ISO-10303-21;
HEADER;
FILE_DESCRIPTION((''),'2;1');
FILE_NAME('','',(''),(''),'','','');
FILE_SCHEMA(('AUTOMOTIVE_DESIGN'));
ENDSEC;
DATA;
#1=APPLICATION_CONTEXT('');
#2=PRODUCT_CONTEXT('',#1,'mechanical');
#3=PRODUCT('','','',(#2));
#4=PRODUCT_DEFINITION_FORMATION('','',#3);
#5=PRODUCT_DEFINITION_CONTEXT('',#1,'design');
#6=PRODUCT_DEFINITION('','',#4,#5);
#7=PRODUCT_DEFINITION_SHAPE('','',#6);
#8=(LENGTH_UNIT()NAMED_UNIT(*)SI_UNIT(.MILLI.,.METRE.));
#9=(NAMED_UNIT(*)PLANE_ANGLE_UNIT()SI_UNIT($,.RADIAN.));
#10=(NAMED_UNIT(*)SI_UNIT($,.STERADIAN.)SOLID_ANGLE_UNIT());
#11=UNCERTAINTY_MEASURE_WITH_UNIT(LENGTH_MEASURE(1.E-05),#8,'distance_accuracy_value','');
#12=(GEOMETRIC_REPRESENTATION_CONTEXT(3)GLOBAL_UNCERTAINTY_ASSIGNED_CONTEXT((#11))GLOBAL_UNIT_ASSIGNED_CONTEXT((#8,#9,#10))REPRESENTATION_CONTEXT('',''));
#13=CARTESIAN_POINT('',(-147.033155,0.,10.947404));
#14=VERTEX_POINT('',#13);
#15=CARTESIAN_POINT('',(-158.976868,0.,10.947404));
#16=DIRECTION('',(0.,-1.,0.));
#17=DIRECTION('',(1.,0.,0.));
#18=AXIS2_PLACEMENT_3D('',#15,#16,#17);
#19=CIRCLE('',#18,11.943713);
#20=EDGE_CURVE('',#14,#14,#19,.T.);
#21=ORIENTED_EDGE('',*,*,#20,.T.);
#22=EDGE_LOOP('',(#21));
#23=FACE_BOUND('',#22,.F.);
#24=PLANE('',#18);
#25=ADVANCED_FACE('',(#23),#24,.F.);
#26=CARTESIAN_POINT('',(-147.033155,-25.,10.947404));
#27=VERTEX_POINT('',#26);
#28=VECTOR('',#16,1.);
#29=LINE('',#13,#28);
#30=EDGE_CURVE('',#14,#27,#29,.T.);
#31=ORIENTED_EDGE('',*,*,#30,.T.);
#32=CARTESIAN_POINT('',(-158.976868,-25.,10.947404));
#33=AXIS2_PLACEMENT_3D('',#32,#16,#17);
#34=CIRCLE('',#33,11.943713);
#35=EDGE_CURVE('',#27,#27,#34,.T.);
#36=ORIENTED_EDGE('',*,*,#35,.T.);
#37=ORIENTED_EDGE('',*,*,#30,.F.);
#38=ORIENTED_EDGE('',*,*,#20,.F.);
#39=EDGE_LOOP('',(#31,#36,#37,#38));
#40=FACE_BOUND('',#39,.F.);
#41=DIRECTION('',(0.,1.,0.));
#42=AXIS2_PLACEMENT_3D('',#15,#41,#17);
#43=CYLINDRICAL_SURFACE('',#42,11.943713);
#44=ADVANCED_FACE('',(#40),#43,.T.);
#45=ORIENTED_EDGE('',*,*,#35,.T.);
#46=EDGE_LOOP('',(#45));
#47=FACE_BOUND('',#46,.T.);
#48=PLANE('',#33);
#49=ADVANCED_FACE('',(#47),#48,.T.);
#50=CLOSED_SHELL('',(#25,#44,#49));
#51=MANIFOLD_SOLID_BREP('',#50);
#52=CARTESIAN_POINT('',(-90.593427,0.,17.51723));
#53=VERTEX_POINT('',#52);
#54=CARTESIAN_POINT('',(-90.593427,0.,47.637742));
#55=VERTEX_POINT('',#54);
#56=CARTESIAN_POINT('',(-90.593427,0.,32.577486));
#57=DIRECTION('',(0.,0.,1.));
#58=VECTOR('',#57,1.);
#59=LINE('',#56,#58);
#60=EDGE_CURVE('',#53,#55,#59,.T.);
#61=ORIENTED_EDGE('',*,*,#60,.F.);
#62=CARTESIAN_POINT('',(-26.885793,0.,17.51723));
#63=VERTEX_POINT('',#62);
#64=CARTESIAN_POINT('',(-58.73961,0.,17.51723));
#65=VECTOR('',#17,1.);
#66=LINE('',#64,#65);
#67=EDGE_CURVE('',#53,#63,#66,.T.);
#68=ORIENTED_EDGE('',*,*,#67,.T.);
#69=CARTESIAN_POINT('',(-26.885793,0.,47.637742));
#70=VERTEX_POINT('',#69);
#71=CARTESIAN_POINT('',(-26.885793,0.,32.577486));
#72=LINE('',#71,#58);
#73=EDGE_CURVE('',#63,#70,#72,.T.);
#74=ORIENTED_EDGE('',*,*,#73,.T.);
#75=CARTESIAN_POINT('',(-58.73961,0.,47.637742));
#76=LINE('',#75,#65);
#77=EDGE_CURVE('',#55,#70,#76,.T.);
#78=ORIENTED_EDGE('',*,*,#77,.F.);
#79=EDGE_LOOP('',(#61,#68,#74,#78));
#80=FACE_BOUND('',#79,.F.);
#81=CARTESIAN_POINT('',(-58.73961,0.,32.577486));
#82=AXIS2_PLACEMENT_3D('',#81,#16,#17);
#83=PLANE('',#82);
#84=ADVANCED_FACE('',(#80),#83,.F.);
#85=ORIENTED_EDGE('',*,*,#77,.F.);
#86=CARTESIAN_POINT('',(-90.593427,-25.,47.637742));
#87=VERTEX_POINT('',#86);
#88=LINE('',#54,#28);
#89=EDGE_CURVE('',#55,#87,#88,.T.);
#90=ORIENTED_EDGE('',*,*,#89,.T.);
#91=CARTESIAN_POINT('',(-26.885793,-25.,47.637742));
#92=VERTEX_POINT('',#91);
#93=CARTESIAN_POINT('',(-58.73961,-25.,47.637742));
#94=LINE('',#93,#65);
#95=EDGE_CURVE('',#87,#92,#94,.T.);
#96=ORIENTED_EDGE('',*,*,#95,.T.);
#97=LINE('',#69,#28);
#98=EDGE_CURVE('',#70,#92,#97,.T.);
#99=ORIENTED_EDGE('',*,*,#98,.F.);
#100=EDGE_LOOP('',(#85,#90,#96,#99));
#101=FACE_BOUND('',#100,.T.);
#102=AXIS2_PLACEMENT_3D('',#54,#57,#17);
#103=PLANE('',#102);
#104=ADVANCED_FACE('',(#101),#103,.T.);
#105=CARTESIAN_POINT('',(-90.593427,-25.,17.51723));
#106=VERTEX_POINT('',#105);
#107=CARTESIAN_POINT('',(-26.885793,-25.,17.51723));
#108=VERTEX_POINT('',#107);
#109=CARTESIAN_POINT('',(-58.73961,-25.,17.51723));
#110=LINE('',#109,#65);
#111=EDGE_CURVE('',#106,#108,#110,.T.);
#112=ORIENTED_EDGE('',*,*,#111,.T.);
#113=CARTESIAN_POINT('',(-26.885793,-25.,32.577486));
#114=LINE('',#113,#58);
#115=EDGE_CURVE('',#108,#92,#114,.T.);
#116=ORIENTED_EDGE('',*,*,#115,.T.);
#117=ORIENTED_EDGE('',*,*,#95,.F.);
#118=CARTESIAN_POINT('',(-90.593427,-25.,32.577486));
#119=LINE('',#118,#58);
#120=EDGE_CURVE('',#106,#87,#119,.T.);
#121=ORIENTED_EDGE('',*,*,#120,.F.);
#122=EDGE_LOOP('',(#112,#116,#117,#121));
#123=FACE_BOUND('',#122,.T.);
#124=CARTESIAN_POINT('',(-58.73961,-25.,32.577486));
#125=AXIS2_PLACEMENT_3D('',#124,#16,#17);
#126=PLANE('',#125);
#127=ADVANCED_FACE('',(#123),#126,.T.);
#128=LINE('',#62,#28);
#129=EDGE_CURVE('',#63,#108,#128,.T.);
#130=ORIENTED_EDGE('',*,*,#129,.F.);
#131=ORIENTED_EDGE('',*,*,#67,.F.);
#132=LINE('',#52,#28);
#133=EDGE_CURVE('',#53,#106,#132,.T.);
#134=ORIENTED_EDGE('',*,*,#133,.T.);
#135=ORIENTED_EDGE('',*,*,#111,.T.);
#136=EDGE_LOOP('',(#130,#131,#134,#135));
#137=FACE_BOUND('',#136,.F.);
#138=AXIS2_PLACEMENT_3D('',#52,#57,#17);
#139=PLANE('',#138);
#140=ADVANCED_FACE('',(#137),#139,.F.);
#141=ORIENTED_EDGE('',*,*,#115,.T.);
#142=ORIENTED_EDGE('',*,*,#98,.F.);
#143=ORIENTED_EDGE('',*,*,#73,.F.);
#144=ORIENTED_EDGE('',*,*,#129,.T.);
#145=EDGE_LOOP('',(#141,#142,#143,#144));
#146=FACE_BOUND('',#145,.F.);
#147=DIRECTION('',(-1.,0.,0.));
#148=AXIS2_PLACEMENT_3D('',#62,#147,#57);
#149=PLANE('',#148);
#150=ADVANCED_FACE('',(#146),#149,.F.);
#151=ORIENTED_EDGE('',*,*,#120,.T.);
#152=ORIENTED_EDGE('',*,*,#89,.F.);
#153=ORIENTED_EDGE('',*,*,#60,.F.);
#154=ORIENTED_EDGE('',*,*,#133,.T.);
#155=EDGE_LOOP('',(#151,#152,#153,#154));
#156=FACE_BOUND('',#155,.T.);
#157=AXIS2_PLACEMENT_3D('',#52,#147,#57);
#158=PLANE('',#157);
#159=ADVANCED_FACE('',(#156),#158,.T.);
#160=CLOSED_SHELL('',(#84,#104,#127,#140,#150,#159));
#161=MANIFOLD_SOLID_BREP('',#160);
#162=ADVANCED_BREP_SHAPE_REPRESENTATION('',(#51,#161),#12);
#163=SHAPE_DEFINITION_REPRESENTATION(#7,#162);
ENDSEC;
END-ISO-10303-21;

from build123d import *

# Parameters (mm, degrees)
F0_R     = 11.943713
F0_W     = 63.707634
F0_H     = 30.120512
F1_DEPTH = 25


with BuildPart() as f1:
    # F0 (on Front) → F1 (new body)
    with BuildSketch(Plane.XZ):
        with Locations((-158.976868, 10.947404)):
            Circle(F0_R)
        with Locations((-58.73961, 32.577486)):
            Rectangle(F0_W, F0_H)
    extrude(amount=F1_DEPTH)


solid = f1.part
